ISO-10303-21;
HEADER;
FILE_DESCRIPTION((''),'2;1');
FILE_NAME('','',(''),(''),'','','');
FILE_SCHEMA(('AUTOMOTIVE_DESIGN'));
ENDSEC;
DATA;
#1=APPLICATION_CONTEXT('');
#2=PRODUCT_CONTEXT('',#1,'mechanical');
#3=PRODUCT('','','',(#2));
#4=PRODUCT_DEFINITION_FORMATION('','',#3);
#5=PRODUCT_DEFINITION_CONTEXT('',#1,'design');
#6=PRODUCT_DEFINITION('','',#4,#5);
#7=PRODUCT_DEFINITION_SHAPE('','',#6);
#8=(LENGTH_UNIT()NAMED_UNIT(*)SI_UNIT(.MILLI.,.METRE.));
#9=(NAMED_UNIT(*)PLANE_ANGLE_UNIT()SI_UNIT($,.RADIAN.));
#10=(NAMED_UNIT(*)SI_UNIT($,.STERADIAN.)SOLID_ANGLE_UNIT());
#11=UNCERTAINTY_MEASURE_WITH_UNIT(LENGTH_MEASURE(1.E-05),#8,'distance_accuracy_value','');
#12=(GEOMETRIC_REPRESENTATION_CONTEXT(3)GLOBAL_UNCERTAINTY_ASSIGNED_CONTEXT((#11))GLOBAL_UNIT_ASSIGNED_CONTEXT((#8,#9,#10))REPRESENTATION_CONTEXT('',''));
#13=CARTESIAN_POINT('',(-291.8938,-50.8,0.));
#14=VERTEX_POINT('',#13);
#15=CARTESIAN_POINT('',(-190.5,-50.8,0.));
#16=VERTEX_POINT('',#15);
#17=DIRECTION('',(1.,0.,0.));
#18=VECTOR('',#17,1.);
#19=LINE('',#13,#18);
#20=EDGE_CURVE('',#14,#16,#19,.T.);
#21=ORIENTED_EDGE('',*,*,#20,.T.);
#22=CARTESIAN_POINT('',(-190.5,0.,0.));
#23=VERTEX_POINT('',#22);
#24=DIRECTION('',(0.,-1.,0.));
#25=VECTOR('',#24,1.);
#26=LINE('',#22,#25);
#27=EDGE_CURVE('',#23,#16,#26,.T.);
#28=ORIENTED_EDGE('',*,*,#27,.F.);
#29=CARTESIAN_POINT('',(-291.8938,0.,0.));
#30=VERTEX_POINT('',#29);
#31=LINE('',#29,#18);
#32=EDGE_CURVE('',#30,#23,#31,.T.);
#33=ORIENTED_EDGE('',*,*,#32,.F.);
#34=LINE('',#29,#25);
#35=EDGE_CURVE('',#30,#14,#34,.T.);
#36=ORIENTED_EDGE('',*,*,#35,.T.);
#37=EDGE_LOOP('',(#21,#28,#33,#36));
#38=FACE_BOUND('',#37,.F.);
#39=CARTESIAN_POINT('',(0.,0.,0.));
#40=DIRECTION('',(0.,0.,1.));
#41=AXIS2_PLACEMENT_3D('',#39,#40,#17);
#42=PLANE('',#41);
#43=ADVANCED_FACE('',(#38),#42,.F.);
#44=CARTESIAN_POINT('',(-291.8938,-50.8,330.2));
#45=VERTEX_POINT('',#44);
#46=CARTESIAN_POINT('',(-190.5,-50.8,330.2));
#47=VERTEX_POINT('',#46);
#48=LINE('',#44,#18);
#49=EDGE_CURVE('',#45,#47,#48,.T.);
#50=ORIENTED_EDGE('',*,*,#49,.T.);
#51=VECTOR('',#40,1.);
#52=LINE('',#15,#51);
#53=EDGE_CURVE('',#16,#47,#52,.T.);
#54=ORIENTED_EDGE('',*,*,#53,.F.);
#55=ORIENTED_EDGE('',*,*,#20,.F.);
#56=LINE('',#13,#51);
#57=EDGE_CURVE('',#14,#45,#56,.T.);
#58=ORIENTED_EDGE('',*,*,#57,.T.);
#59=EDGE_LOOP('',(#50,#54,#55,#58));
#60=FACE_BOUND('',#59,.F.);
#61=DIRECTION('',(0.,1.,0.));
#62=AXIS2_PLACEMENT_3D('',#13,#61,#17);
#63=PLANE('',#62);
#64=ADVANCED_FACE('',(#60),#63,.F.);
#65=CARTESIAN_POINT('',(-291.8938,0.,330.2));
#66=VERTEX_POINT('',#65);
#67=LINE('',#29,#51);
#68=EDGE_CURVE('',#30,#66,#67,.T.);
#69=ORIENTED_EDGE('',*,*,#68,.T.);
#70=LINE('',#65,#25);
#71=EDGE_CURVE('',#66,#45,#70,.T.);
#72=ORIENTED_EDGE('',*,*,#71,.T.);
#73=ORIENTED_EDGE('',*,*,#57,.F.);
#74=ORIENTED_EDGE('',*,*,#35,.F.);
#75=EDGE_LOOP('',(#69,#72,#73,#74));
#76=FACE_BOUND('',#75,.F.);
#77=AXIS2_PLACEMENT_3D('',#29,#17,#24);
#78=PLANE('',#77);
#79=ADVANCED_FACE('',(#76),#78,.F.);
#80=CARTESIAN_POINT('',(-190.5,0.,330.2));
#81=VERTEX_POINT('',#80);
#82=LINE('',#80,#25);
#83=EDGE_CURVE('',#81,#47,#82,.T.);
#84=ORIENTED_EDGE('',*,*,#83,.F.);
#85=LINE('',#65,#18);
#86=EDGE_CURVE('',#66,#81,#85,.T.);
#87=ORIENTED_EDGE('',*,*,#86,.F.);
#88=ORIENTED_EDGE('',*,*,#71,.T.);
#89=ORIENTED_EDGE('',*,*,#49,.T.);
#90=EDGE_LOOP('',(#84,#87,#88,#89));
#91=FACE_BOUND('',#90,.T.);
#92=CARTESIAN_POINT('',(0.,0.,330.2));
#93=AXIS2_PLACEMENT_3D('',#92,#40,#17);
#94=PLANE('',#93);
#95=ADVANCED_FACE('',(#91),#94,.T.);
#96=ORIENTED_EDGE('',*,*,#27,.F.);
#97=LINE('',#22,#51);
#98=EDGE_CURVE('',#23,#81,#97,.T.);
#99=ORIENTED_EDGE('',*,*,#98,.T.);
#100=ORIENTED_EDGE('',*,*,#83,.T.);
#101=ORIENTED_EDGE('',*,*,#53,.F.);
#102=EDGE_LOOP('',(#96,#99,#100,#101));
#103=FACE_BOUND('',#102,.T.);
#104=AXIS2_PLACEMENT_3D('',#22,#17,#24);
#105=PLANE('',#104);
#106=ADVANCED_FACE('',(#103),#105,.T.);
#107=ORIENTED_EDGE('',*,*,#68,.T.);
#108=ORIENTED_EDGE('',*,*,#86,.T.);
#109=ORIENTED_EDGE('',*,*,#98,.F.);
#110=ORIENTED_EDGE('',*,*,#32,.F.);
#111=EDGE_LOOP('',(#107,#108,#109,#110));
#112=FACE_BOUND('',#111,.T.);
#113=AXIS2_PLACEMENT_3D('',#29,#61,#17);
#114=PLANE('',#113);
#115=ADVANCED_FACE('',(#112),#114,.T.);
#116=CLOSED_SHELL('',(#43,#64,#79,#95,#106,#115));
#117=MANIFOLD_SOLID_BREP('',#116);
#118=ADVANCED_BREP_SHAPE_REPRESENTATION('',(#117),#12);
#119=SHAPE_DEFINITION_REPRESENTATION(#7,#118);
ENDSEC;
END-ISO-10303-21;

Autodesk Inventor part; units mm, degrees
ref_plane "YZ Plane" through (0, 0, 0) normal (1, 0, 0) x (0, 1, 0)
ref_plane "XZ Plane" through (0, 0, 0) normal (0, 1, 0) x (-1, 0, 0)
ref_plane "XY Plane" through (0, 0, 0) normal (0, 0, 1) x (1, 0, 0)
ref_plane "Work Plane1" through (0, 0, 0) normal (0, 0, 1) x (1, 0, 0)
sketch "Sketch1" plane through (0, 0, 0) normal (0, 0, 1) x (1, 0, 0)
  line L0 (-190.5, 0) -> (-190.5, -50.8) projected
  line L1 (-291.8938, 0) -> (-190.5, 0) projected
  line L2 (-291.8938, -50.8) -> (-190.5, -50.8)
  line L3 (-291.8938, 0) -> (-291.8938, -50.8) projected
  line L4 (-190.5, 0) -> (-291.8938, 0)
  line L5 (-291.8938, 0) -> (-291.8938, -50.8)
  line L6 (-291.8938, -50.8) -> (-190.5, -50.8)
  line L7 (-190.5, -50.8) -> (-190.5, 0)
  point P0 (0, 0)
extrude "Extrusion1" add sketch "Sketch1" along normal blind 330.2
properties part number "2x4x13"
